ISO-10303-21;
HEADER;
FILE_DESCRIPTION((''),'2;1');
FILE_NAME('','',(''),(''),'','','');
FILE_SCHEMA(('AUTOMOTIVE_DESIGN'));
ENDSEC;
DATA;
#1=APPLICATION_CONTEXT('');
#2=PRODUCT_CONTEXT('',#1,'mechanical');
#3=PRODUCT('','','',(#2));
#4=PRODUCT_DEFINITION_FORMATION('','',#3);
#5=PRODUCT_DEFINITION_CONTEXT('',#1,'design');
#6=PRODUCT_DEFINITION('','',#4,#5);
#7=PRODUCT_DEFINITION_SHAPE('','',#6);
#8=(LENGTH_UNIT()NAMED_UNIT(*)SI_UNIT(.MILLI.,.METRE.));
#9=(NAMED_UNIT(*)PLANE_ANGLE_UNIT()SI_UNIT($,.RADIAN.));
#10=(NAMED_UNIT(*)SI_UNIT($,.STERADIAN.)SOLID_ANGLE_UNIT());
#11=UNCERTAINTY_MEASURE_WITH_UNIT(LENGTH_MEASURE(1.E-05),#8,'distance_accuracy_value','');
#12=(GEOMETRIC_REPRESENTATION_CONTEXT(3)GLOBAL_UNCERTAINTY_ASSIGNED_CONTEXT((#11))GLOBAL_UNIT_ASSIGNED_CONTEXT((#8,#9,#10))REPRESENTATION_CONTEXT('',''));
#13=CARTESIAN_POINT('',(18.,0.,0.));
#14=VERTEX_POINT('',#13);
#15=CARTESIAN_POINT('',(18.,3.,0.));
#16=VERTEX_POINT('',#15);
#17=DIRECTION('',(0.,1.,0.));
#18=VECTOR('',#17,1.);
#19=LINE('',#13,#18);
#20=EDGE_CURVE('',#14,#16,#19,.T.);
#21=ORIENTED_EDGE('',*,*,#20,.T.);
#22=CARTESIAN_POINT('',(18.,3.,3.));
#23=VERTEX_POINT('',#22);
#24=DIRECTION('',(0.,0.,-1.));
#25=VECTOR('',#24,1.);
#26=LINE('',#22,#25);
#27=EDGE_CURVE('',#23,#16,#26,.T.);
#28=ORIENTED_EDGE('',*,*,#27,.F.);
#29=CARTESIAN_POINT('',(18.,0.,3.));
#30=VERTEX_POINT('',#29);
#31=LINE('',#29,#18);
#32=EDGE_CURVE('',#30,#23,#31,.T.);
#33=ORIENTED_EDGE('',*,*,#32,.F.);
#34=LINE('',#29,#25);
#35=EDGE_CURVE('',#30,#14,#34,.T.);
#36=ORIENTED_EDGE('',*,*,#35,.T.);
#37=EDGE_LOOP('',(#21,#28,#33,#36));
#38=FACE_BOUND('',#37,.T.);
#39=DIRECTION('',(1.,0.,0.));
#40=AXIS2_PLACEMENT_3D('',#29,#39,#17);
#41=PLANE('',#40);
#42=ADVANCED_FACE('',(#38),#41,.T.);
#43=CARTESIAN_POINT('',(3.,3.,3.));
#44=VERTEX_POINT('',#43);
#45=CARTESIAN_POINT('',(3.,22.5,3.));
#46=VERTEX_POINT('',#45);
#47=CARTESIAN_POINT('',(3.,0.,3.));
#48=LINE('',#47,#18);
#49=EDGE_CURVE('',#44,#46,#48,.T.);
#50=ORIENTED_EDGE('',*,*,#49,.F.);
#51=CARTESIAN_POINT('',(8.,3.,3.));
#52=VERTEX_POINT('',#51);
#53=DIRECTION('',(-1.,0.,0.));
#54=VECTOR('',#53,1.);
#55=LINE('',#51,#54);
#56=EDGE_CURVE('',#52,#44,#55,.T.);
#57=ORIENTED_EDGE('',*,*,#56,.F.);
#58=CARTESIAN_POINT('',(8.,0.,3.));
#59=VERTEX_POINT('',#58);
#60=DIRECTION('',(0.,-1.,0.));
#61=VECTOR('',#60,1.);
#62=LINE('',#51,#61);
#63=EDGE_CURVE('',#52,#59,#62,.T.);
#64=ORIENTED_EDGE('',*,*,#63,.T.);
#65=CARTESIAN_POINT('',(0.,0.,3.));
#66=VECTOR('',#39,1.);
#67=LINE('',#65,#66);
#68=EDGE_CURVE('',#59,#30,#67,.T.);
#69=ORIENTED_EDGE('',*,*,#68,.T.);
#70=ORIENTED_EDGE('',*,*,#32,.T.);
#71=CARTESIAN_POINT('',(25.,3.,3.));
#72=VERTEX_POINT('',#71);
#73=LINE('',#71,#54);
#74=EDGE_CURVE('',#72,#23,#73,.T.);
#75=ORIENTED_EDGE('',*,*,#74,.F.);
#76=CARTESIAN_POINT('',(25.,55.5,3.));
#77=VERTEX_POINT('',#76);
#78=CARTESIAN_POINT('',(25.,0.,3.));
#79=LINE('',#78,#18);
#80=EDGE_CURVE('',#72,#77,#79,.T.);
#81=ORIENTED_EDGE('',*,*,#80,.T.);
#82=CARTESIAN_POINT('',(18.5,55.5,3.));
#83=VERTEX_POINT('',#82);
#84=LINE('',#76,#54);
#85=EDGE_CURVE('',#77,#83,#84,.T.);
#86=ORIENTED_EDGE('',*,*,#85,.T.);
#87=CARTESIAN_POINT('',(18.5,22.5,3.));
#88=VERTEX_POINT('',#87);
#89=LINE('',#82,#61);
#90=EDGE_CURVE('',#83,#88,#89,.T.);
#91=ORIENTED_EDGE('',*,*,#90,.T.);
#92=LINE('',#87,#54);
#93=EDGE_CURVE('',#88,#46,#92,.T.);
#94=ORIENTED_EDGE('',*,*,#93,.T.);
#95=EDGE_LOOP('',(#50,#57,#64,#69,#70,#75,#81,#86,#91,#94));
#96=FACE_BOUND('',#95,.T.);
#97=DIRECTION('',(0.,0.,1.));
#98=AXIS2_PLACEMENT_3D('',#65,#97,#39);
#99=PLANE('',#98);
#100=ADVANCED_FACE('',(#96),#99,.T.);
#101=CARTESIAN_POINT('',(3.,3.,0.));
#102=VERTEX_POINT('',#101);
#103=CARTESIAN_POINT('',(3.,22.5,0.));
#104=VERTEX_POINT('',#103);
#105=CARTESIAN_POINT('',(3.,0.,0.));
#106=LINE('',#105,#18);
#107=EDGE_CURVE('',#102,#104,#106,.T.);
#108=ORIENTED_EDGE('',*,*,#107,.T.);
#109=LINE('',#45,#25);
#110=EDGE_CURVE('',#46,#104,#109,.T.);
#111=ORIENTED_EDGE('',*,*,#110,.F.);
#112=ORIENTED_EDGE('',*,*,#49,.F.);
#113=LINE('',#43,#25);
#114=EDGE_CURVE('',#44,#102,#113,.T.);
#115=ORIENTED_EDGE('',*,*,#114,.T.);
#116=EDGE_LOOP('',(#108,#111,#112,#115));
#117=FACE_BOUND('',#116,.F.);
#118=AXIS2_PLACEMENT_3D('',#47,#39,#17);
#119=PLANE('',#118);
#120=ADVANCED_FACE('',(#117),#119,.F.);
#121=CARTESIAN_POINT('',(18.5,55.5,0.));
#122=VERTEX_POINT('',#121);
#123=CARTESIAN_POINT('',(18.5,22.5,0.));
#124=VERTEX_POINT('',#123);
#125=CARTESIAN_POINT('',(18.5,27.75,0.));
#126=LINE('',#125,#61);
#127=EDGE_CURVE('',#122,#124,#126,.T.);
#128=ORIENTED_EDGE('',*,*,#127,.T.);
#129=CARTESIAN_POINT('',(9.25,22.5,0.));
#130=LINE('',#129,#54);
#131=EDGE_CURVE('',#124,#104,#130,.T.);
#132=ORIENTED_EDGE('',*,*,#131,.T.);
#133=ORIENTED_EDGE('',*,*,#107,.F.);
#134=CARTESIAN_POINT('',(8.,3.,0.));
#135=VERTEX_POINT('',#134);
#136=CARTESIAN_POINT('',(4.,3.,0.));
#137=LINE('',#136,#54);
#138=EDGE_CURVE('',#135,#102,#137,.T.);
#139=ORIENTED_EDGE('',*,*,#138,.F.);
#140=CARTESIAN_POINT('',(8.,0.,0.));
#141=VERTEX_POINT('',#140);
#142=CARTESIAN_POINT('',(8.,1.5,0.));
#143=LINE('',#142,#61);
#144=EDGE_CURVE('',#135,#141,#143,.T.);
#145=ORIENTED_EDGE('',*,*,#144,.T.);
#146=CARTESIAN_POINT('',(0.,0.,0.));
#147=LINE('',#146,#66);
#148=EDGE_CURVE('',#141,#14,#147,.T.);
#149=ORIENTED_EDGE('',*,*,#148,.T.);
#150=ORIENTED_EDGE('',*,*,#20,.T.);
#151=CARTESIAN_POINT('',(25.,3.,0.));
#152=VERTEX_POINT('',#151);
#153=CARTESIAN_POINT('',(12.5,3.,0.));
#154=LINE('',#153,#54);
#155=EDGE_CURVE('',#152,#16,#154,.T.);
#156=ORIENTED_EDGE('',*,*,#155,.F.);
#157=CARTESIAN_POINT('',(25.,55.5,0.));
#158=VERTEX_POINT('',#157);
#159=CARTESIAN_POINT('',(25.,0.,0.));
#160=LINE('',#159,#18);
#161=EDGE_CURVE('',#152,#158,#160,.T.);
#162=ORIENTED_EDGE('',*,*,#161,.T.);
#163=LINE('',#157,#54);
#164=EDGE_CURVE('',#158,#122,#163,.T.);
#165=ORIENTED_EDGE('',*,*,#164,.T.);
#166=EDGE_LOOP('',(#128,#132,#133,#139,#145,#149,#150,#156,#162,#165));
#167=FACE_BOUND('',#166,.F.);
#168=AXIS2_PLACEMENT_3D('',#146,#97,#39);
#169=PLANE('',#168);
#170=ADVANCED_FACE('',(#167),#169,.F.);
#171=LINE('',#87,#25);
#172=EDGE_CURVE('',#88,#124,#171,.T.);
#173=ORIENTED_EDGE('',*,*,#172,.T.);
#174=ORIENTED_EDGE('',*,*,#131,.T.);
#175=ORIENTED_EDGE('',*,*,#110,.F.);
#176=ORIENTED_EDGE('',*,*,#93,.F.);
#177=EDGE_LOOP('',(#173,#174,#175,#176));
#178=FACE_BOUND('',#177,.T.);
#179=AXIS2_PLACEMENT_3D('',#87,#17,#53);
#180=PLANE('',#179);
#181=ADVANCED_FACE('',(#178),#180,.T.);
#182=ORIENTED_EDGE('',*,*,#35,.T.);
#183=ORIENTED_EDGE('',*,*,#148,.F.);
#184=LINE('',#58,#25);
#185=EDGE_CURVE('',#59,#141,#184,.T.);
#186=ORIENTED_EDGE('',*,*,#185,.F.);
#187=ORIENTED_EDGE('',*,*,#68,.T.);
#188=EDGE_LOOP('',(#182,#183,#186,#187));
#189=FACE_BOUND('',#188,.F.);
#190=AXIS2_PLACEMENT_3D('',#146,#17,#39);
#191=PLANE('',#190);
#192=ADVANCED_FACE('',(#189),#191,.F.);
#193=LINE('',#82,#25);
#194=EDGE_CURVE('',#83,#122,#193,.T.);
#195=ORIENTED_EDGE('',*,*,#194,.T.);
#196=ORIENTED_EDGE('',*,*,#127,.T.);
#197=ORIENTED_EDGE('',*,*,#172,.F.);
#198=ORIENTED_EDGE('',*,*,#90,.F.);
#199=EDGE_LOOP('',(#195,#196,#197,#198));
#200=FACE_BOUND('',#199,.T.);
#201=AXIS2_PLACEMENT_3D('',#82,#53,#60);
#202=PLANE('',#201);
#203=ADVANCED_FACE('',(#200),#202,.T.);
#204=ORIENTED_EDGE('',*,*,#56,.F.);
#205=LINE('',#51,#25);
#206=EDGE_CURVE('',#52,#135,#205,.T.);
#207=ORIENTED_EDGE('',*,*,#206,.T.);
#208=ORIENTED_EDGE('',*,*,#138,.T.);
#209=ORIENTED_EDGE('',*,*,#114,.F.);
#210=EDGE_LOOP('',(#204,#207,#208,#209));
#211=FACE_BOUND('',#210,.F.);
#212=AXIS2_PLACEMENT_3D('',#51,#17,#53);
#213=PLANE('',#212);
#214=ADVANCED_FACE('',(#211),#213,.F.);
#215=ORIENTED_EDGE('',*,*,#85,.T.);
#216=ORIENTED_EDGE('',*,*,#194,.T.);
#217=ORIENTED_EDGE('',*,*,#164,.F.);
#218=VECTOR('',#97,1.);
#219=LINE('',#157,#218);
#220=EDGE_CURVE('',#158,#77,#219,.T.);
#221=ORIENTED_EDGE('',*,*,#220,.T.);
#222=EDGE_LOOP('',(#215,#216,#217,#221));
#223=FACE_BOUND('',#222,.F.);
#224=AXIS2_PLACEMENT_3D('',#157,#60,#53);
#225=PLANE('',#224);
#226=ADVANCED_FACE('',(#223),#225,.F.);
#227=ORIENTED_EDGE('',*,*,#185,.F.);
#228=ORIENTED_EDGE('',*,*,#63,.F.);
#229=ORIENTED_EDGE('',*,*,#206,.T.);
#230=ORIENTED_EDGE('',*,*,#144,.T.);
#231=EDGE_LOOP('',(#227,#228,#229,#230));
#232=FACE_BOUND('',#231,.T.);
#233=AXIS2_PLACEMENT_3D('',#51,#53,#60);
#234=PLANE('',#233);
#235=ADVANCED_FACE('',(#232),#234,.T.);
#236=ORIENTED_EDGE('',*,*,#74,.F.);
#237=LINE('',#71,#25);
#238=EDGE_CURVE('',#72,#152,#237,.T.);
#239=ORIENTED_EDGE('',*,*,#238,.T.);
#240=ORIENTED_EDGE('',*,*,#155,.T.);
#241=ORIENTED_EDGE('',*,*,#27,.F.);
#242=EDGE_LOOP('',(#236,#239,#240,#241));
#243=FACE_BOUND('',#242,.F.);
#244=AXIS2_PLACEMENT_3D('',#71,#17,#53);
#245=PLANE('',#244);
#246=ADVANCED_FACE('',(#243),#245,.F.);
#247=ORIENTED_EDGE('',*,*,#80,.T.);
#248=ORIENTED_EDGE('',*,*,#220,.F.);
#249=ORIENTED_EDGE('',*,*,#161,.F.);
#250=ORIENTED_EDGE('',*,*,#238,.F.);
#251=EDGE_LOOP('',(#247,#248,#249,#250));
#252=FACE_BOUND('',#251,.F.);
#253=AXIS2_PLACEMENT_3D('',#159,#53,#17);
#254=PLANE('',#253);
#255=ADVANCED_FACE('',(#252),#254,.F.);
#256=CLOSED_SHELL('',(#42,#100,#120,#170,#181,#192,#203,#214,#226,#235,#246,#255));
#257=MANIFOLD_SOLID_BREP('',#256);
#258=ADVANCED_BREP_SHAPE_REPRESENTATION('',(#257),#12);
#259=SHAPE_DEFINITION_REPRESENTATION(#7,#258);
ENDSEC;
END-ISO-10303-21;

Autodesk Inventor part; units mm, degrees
ref_plane "YZ Plane" through (0, 0, 0) normal (1, 0, 0) x (0, 1, 0)
ref_plane "XZ Plane" through (0, 0, 0) normal (0, 1, 0) x (-1, 0, 0)
ref_plane "XY Plane" through (0, 0, 0) normal (0, 0, 1) x (1, 0, 0)
sketch "Sketch1" plane through (0, 0, 0) normal (0, 0, 1) x (1, 0, 0)
  line L0 (0, 0) -> (25, 0)
  line L1 (25, 0) -> (25, 55.5)
  line L2 (25, 55.5) -> (0, 55.5)
  line L3 (0, 55.5) -> (0, 0)
  dimension "d0" = 25
  dimension "d1" = 55.5
extrude "Extrusion1" add sketch "Sketch1" along normal blind 3
sketch "Sketch2" plane through (0, 0, 3) normal (0, 0, 1) x (1, 0, 0)
  line L0 (0, 55.5) -> (0, 0) projected
  line L1 (25, 55.5) -> (0, 55.5) projected
  line L2 (0, 0) -> (3, 0)
  line L3 (3, 0) -> (3, 55.5)
  line L4 (3, 55.5) -> (0, 55.5)
  line L5 (0, 55.5) -> (0, 0)
  dimension "d4" = 3
extrude "Extrusion2" cut sketch "Sketch2" against normal through all
sketch "Sketch3" plane through (0, 0, 3) normal (0, 0, 1) x (1, 0, 0)
  point P0 (0, 0)
sketch "Sketch4" plane through (0, 0, 3) normal (0, 0, 1) x (1, 0, 0)
  line L0 (25, 55.5) -> (3, 55.5) projected
  line L1 (3, 55.5) -> (18.5, 55.5)
  line L2 (18.5, 55.5) -> (18.5, 22.5)
  line L3 (18.5, 22.5) -> (3, 22.5)
  line L4 (3, 22.5) -> (3, 55.5)
  point P0 (0, 0)
  dimension "d7" = 15.5
  dimension "d8" = 33
extrude "Extrusion3" cut sketch "Sketch4" against normal through all
sketch "Sketch5" plane through (0, 0, 3) normal (0, 0, 1) x (1, 0, 0)
  line L0 (3, 0) -> (25, 0) projected
  line L1 (8, 0) -> (18, 0)
  line L2 (18, 0) -> (18, 3)
  line L3 (18, 3) -> (8, 3)
  line L4 (8, 3) -> (8, 0)
  line L5 (3, 22.5) -> (3, 0) projected
  line L6 (3, 0) -> (8, 0)
  line L7 (8, 0) -> (8, 3)
  line L8 (8, 3) -> (3, 3)
  line L9 (3, 3) -> (3, 0)
  line L10 (18, 0) -> (25, 0)
  line L11 (25, 0) -> (25, 3)
  line L12 (25, 3) -> (18, 3)
  line L13 (18, 3) -> (18, 0)
  point P0 (0, 0)
  dimension "d11" = 10
  dimension "d12" = 3
  dimension "d13" = 5
extrude "Extrusion4" cut sketch "Sketch5" against normal through all contours L5 L8 L4 L0 | L2 L12 L11 L0
properties part number "hollow_mount"
